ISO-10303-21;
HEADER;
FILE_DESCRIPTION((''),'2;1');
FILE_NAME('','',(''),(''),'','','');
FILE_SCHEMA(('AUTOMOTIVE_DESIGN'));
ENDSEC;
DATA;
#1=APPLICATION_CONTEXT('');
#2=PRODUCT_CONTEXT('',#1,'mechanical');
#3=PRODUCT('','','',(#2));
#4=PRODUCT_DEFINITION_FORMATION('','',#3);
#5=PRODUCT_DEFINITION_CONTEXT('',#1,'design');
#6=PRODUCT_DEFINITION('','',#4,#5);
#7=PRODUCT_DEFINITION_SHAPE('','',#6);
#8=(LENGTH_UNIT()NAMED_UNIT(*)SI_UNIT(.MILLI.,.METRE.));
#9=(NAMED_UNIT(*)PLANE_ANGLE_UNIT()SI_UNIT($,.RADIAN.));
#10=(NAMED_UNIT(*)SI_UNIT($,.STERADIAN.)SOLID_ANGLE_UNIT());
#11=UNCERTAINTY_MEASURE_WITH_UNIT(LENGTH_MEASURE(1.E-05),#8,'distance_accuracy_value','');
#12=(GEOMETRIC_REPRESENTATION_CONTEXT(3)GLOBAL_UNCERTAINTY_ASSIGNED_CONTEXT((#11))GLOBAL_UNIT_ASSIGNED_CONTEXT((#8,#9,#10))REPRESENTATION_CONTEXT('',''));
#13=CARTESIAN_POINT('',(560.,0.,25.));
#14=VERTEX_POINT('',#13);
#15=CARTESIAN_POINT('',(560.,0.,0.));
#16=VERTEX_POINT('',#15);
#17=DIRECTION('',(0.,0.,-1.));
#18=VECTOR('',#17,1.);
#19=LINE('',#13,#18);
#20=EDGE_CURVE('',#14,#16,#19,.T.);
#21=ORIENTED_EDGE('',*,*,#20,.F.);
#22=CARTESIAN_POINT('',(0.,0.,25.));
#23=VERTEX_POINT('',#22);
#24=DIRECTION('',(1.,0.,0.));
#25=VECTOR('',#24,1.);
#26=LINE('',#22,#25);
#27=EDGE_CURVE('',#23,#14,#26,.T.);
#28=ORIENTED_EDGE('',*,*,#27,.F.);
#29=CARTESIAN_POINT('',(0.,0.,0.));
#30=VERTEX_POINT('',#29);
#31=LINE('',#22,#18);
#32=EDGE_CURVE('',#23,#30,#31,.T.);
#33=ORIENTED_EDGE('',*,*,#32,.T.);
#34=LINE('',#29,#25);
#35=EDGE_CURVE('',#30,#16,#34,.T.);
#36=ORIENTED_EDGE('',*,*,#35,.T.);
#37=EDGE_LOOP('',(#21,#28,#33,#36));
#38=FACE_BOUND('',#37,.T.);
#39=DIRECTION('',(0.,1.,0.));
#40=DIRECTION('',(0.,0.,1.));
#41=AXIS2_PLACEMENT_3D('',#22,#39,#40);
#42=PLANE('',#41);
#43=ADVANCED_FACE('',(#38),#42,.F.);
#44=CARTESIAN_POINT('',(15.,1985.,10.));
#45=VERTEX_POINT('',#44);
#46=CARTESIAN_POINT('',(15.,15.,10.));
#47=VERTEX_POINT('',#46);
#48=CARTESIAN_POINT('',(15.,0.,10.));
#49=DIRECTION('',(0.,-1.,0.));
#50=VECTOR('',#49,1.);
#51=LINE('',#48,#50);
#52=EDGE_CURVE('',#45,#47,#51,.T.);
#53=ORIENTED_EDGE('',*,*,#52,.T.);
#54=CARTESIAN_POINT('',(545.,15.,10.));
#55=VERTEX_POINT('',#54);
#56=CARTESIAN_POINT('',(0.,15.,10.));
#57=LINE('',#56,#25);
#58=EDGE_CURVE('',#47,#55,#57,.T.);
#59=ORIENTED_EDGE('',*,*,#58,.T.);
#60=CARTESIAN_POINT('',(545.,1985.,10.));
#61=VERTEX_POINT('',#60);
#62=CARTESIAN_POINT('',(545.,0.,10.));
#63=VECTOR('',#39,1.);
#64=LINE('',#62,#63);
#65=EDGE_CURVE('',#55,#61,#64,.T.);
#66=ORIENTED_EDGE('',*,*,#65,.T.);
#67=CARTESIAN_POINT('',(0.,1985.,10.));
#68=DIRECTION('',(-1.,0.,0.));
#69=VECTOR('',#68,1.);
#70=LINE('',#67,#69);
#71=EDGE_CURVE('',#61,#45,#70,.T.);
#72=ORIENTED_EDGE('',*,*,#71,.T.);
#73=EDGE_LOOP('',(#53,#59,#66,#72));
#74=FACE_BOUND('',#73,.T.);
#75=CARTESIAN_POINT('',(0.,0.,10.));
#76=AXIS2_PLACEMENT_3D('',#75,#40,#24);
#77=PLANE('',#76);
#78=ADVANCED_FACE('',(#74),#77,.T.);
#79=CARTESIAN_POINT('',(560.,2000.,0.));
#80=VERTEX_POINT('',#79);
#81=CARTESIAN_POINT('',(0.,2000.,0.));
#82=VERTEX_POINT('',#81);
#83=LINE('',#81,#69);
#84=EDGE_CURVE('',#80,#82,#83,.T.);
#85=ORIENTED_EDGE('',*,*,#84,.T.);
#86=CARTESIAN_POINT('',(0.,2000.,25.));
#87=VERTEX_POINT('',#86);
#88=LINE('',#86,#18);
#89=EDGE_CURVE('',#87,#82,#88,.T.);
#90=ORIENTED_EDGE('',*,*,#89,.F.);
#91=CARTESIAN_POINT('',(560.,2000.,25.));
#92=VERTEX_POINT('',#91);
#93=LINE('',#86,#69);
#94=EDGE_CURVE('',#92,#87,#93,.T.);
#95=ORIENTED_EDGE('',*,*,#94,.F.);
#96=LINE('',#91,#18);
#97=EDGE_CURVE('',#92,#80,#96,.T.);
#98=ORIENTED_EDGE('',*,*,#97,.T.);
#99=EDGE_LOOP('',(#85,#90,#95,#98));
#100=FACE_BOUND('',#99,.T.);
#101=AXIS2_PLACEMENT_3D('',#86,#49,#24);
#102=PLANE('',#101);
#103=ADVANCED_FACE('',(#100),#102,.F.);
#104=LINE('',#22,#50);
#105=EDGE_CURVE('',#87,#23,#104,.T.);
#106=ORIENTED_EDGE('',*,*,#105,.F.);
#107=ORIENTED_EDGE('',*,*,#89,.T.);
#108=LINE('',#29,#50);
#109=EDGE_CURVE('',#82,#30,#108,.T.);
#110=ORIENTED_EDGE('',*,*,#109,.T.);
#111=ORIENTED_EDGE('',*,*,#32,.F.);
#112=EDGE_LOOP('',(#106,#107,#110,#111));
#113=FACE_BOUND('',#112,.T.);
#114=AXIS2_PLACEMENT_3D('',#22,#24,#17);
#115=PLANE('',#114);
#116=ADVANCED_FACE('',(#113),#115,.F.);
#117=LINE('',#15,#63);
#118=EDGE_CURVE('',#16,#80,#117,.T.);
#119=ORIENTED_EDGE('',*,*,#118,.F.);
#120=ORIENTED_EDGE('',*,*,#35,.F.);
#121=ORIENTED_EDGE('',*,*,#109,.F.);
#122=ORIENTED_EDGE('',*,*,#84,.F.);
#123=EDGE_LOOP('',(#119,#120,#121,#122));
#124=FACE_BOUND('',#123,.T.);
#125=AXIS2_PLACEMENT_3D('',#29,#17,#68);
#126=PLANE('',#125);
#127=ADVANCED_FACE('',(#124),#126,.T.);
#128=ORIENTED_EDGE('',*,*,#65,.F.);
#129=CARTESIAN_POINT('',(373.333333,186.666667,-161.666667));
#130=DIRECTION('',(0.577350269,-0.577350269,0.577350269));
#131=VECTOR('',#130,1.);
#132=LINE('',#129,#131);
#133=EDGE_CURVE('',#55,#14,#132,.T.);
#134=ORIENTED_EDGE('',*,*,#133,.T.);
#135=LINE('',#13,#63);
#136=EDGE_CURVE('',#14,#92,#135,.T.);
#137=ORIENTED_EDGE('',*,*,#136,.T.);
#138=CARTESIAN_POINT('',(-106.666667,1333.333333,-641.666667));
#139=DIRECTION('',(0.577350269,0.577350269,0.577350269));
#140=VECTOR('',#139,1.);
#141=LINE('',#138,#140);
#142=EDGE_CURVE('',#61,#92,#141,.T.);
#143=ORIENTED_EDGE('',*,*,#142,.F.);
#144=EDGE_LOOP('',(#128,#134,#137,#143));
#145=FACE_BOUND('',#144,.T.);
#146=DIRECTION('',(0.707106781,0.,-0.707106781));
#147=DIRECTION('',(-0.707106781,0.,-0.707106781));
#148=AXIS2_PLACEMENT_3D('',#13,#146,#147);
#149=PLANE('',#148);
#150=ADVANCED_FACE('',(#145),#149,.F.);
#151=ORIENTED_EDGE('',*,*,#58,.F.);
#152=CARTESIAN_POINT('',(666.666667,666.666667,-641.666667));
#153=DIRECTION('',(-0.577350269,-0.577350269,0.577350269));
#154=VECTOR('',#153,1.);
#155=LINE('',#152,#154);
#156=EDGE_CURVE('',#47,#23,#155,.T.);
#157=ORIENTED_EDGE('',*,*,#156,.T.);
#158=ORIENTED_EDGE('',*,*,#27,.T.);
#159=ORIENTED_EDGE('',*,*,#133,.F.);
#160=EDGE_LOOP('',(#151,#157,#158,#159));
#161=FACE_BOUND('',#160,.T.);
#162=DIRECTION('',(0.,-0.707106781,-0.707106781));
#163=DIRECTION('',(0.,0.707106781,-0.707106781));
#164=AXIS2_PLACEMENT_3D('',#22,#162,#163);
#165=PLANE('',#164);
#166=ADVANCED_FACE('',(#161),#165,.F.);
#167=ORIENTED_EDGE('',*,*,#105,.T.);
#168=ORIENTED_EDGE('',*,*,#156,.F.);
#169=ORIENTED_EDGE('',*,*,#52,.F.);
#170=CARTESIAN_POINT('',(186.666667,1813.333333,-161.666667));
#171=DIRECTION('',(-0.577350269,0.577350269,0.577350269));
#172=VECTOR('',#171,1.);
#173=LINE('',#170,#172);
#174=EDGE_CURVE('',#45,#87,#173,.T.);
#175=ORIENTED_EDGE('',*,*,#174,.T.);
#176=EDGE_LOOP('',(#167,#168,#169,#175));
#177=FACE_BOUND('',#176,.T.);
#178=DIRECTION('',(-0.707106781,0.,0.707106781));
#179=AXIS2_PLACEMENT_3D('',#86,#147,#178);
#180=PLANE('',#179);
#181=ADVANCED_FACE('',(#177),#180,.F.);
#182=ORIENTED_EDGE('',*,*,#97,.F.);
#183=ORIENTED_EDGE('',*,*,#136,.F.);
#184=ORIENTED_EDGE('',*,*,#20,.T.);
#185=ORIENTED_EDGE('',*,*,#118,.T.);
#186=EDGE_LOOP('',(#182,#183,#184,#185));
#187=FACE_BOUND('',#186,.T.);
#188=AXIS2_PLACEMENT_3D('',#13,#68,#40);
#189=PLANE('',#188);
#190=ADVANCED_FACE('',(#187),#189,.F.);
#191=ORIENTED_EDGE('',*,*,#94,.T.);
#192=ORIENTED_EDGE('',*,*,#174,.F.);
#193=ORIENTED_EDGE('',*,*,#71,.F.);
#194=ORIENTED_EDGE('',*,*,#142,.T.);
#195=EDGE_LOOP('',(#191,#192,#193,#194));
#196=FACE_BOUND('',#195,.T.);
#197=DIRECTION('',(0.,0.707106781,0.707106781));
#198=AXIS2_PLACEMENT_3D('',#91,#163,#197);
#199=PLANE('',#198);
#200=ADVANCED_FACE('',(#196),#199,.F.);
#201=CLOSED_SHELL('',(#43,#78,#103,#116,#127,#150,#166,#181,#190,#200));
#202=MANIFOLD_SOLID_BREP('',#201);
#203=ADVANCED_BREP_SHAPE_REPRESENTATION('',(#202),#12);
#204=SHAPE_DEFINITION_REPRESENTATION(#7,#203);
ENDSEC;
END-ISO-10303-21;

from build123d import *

# Parameters (mm, degrees)
SKETCH2_W           = 560
SKETCH2_H           = 2000
BOSS_EXTRUDE1_DEPTH = 25
SKETCH4_W           = 560
SKETCH4_H           = 2000
CUT_EXTRUDE1_DEPTH  = 15
CUT_EXTRUDE1_DRAFT  = -45


with BuildPart() as part:
    # Sketch2 → Boss-Extrude1 (new body)
    with BuildSketch(Plane.XY):
        with Locations((280, 1000)):
            Rectangle(SKETCH2_W, SKETCH2_H)
    extrude(amount=BOSS_EXTRUDE1_DEPTH)


with BuildPart() as cut_extrude1_tool:
    # Sketch4 → Cut-Extrude1 (with draft: the straight prism first)
    with BuildSketch(Plane.XY.offset(25)):
        with Locations((280, 1000)):
            Rectangle(SKETCH4_W, SKETCH4_H)
    extrude(amount=-CUT_EXTRUDE1_DEPTH)
    # Cut-Extrude1: the draft: its side faces are tilted about the plane it starts from
    cut_extrude1_sides = [cut_extrude1_tool.faces().sort_by_distance(p)[0] for p in [
        (0, 1000, 17.5),
        (280, 0, 17.5),
        (560, 1000, 17.5),
        (280, 2000, 17.5),
    ]]
    draft(cut_extrude1_sides, Plane.XY.offset(25), CUT_EXTRUDE1_DRAFT)


with BuildPart() as part_1:
    add(part.part)

    # Cut-Extrude1: cut by cut_extrude1_tool
    add(cut_extrude1_tool.part, mode=Mode.SUBTRACT)


solid = part_1.part
